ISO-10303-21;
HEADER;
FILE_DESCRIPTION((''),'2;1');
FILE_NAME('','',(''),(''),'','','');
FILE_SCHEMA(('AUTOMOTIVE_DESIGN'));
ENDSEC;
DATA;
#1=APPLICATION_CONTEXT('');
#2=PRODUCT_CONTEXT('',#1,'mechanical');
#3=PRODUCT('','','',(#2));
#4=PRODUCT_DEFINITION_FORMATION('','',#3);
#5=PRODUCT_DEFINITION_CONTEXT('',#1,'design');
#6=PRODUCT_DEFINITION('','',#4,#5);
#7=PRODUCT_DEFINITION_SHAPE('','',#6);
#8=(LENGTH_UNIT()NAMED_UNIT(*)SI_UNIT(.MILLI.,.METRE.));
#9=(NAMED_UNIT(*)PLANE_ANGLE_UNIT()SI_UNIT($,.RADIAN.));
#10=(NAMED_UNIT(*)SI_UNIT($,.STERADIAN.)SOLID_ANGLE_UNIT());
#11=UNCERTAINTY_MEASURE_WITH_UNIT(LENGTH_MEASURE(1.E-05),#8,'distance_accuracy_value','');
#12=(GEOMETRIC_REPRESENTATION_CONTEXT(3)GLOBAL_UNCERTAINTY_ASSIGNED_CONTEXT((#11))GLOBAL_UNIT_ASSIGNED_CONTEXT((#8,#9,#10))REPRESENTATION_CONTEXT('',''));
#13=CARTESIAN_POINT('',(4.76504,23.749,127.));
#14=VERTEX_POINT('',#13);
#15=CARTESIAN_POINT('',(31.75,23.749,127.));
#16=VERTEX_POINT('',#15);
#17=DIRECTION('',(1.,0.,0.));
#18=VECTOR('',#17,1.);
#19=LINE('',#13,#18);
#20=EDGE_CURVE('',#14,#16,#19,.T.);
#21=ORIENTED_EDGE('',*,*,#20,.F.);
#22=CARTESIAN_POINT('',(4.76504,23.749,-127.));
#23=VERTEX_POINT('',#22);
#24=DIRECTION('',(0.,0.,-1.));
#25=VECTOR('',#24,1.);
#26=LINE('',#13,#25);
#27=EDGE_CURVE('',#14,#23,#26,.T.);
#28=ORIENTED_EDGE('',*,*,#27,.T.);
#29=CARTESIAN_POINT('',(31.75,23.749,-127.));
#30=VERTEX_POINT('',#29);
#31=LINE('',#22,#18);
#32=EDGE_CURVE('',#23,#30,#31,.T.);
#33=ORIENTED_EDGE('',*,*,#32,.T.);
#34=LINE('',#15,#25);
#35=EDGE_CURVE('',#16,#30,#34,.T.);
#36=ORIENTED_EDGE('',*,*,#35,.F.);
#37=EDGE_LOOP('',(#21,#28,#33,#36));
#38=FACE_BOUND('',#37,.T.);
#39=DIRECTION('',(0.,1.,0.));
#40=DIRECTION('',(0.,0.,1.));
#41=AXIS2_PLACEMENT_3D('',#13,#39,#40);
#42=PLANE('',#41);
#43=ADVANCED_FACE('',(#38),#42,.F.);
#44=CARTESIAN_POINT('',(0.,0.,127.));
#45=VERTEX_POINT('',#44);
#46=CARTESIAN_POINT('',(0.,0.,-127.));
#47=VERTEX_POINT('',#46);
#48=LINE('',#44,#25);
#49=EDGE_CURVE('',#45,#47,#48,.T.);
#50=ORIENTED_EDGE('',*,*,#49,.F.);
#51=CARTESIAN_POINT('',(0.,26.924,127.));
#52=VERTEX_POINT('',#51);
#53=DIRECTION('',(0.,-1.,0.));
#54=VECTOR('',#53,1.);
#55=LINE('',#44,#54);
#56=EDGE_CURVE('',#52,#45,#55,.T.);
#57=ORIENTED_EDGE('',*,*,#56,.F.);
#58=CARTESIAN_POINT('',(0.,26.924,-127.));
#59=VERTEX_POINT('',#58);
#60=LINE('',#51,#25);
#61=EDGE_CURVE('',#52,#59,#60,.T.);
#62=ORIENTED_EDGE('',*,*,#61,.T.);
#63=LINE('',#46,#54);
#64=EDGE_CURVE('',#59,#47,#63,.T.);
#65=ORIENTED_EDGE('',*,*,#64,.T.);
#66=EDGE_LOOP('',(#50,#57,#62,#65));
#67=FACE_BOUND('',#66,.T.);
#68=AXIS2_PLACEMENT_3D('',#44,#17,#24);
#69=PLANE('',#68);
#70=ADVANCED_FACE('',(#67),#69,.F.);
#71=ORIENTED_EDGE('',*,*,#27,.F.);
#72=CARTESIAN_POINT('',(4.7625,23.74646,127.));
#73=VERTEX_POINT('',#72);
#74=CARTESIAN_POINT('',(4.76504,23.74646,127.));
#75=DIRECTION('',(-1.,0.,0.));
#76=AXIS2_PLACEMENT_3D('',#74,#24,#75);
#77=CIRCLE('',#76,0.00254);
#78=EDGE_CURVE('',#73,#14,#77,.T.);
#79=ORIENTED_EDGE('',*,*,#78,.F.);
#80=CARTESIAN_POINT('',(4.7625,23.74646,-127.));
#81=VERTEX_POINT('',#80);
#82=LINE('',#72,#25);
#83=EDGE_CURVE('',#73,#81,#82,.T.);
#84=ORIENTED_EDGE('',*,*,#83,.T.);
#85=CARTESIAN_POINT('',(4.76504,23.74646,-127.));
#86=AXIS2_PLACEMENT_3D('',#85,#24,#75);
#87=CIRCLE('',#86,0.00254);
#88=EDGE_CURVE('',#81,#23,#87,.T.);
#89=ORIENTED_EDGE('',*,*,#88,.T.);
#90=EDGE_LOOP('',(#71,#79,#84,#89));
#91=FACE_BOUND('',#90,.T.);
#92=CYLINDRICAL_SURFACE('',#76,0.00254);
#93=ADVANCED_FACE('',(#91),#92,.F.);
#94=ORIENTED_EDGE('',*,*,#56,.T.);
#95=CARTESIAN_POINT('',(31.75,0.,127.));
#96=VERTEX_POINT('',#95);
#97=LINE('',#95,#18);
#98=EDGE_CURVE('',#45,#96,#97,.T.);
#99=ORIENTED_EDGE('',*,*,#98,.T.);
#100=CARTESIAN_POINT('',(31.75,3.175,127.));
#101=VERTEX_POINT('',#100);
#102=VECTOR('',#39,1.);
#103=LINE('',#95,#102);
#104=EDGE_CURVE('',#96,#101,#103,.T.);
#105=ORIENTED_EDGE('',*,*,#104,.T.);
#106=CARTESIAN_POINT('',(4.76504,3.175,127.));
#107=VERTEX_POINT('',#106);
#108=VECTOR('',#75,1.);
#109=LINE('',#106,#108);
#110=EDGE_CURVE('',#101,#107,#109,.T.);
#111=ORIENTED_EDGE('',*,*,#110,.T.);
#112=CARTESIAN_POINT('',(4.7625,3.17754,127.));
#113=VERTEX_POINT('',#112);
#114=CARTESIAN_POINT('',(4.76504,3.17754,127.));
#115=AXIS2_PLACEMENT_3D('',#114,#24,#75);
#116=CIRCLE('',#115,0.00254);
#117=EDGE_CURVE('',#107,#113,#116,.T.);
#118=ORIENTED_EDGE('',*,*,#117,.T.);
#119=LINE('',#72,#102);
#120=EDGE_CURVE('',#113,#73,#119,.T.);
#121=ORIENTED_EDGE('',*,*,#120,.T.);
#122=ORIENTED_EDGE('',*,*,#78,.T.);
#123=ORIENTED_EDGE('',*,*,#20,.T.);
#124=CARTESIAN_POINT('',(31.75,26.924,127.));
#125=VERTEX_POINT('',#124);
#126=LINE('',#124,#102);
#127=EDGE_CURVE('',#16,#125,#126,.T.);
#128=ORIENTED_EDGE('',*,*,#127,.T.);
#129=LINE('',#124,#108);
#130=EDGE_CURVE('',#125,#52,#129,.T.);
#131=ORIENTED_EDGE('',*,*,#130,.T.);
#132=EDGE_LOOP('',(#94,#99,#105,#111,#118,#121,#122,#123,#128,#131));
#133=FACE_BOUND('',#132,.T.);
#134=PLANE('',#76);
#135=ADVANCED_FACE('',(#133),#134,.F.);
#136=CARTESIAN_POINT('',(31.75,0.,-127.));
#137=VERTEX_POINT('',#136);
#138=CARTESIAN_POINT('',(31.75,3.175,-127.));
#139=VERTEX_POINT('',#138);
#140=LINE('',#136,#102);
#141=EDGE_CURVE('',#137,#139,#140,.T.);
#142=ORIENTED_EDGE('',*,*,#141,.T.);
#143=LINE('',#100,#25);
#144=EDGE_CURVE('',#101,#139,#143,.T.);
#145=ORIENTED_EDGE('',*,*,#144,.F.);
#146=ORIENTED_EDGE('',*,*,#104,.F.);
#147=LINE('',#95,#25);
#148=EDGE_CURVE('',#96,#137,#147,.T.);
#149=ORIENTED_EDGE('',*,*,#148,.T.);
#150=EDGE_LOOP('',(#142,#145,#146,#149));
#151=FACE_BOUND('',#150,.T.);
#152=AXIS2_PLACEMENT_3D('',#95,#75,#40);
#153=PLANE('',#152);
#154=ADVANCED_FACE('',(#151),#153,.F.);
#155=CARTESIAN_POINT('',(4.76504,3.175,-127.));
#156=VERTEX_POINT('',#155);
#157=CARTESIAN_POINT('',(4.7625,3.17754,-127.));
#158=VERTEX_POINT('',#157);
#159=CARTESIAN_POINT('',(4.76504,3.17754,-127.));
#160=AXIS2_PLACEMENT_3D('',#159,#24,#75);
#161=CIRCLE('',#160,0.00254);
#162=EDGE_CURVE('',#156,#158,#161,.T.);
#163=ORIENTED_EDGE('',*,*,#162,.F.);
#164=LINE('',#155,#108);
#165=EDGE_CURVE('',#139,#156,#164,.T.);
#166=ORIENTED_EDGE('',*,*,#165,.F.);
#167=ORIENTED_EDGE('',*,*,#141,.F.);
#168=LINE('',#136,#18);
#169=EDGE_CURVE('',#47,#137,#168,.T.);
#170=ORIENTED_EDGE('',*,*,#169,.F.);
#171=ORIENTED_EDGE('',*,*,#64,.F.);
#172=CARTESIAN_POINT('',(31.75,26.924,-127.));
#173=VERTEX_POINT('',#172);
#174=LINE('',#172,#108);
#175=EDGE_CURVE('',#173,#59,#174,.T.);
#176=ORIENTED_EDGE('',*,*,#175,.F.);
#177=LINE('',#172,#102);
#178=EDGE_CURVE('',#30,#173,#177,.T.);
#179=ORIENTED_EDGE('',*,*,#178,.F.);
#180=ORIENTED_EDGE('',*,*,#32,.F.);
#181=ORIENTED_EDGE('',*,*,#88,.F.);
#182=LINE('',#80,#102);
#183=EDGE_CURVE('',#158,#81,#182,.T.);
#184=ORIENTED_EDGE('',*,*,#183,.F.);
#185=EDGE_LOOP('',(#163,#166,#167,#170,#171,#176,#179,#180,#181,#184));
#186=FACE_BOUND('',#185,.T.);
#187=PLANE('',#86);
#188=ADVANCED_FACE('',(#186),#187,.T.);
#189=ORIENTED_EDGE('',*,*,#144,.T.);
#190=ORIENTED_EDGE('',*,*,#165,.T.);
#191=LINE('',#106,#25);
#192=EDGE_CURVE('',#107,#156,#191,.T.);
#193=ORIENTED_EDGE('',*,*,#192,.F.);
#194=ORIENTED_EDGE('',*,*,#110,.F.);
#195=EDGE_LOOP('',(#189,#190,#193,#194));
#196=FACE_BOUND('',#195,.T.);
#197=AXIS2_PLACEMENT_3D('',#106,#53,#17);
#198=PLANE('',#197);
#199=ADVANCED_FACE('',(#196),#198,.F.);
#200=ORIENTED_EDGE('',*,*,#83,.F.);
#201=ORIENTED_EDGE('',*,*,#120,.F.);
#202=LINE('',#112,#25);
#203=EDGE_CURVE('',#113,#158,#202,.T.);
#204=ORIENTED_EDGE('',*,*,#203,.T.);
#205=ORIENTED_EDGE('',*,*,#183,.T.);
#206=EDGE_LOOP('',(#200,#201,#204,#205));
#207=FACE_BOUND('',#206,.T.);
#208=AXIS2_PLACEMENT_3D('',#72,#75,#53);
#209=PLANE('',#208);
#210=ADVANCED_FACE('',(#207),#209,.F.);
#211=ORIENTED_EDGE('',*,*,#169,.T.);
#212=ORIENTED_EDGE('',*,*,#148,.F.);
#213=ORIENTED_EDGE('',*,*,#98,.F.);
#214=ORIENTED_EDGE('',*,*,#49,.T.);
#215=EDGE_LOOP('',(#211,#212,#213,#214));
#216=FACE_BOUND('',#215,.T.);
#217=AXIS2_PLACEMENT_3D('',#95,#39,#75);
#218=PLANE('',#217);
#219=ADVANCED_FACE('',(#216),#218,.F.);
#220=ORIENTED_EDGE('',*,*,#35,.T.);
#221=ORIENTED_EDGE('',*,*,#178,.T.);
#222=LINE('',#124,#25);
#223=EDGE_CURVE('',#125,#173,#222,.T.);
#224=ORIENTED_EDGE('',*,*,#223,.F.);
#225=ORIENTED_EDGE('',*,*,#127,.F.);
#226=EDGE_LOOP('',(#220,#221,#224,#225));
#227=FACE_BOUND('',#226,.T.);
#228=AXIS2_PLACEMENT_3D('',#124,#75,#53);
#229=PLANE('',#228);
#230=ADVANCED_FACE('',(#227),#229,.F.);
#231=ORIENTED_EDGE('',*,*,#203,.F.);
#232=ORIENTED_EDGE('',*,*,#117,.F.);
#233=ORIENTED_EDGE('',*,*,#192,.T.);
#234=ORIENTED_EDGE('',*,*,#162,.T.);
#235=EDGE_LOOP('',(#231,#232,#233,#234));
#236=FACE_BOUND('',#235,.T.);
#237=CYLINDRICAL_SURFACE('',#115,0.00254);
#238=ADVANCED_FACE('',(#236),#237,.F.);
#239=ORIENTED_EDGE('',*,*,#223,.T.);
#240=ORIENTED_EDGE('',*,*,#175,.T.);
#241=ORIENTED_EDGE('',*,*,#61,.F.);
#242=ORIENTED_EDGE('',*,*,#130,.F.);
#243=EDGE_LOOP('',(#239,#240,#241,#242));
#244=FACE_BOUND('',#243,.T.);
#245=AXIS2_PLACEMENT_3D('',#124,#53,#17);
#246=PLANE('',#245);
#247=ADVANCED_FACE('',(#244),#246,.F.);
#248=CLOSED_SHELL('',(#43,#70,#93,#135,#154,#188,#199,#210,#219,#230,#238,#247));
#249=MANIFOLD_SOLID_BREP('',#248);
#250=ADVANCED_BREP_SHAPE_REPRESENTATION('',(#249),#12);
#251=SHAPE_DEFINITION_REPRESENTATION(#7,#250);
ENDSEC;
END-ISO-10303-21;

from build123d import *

# Parameters (mm, degrees)
BASECHANNELSE_DEPTH = 127


with BuildPart() as part:
    # Sketch1 → BaseChannelse (new, symmetric)
    with BuildSketch(Plane.XY):
        with BuildLine():
            Line((0, 0), (0, 26.924))
            Line((0, 26.924), (31.75, 26.924))
            Line((31.75, 26.924), (31.75, 23.749))
            Line((31.75, 23.749), (4.76504, 23.749))
            ThreePointArc((4.76504, 23.749), (4.763243949, 23.748256051), (4.7625, 23.74646))
            Line((4.7625, 23.74646), (4.7625, 3.17754))
            ThreePointArc((4.7625, 3.17754), (4.763243949, 3.175743949), (4.76504, 3.175))
            Line((4.76504, 3.175), (31.75, 3.175))
            Line((31.75, 3.175), (31.75, 0))
            Line((31.75, 0), (0, 0))
        make_face()
    extrude(amount=BASECHANNELSE_DEPTH, both=True)


solid = part.part
